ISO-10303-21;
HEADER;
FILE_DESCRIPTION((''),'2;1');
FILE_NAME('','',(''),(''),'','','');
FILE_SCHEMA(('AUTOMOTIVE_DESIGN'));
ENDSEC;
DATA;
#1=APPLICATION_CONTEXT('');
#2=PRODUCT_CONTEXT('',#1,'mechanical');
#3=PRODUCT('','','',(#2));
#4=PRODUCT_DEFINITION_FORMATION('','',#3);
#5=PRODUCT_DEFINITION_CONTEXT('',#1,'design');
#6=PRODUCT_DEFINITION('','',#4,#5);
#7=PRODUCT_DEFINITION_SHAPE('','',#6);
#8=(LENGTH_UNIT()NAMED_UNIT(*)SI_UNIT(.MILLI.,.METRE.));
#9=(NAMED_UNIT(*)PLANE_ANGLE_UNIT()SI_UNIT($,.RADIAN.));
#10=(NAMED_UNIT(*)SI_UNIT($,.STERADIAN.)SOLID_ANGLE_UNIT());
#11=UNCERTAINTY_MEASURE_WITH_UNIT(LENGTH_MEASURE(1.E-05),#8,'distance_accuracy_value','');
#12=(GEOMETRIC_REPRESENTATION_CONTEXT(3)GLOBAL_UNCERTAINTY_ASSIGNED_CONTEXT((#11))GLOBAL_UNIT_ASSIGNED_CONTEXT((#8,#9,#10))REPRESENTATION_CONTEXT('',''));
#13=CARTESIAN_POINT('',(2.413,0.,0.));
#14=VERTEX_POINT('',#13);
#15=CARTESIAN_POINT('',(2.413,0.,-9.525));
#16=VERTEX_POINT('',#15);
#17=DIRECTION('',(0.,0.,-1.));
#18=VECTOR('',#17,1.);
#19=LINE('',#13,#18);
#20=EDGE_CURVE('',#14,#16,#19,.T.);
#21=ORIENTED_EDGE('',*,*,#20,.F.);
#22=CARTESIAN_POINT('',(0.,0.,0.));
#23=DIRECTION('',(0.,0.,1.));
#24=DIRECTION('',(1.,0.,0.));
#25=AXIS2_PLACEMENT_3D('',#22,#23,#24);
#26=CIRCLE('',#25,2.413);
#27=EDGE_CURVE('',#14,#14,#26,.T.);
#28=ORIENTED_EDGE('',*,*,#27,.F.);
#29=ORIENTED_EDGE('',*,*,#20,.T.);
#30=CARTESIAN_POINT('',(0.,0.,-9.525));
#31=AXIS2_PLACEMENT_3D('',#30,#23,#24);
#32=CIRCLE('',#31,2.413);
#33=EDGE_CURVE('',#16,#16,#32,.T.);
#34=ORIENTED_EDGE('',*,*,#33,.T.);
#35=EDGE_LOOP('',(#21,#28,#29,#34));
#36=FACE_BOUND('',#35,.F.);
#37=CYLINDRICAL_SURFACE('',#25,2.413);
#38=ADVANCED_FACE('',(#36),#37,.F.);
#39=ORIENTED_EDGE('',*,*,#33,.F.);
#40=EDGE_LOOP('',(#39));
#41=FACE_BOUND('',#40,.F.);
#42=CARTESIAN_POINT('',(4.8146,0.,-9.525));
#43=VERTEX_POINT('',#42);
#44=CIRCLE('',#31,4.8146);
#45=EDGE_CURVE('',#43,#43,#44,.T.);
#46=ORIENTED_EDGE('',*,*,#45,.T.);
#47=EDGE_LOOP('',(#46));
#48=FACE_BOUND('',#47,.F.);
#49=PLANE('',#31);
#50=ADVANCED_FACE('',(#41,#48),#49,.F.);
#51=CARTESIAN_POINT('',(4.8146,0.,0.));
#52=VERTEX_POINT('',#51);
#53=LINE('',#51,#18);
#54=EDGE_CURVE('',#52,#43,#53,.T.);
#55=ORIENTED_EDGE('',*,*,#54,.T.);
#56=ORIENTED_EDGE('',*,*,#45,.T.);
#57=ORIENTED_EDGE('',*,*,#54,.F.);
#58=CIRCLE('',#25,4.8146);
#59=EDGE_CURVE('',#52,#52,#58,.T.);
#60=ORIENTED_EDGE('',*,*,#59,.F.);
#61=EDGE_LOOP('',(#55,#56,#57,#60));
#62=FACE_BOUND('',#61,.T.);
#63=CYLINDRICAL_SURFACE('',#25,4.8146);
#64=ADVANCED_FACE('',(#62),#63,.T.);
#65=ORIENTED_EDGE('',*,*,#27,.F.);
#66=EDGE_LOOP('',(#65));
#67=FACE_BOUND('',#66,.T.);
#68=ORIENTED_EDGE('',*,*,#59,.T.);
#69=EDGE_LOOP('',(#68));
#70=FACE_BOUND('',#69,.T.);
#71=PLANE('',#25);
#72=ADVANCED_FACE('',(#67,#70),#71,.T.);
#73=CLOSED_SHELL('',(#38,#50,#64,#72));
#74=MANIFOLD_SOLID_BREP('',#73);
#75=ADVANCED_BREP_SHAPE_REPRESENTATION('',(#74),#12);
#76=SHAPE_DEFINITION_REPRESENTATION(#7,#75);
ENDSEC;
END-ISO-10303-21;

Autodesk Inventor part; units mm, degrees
ref_plane "YZ Plane" through (0, 0, 0) normal (1, 0, 0) x (0, 1, 0)
ref_plane "XZ Plane" through (0, 0, 0) normal (0, 1, 0) x (-1, 0, 0)
ref_plane "XY Plane" through (0, 0, 0) normal (0, 0, 1) x (1, 0, 0)
sketch "Sketch1" plane through (0, 0, 0) normal (0, 0, 1) x (1, 0, 0)
  circle A0 centre (0, 0) radius 2.413
  circle A1 centre (0, 0) radius 4.8146
  dimension "d2" = 4.826
  dimension "d3" = 9.6291
extrude "Extrusion1" add sketch "Sketch1" against normal blind 9.525
properties part number "Spacer"
